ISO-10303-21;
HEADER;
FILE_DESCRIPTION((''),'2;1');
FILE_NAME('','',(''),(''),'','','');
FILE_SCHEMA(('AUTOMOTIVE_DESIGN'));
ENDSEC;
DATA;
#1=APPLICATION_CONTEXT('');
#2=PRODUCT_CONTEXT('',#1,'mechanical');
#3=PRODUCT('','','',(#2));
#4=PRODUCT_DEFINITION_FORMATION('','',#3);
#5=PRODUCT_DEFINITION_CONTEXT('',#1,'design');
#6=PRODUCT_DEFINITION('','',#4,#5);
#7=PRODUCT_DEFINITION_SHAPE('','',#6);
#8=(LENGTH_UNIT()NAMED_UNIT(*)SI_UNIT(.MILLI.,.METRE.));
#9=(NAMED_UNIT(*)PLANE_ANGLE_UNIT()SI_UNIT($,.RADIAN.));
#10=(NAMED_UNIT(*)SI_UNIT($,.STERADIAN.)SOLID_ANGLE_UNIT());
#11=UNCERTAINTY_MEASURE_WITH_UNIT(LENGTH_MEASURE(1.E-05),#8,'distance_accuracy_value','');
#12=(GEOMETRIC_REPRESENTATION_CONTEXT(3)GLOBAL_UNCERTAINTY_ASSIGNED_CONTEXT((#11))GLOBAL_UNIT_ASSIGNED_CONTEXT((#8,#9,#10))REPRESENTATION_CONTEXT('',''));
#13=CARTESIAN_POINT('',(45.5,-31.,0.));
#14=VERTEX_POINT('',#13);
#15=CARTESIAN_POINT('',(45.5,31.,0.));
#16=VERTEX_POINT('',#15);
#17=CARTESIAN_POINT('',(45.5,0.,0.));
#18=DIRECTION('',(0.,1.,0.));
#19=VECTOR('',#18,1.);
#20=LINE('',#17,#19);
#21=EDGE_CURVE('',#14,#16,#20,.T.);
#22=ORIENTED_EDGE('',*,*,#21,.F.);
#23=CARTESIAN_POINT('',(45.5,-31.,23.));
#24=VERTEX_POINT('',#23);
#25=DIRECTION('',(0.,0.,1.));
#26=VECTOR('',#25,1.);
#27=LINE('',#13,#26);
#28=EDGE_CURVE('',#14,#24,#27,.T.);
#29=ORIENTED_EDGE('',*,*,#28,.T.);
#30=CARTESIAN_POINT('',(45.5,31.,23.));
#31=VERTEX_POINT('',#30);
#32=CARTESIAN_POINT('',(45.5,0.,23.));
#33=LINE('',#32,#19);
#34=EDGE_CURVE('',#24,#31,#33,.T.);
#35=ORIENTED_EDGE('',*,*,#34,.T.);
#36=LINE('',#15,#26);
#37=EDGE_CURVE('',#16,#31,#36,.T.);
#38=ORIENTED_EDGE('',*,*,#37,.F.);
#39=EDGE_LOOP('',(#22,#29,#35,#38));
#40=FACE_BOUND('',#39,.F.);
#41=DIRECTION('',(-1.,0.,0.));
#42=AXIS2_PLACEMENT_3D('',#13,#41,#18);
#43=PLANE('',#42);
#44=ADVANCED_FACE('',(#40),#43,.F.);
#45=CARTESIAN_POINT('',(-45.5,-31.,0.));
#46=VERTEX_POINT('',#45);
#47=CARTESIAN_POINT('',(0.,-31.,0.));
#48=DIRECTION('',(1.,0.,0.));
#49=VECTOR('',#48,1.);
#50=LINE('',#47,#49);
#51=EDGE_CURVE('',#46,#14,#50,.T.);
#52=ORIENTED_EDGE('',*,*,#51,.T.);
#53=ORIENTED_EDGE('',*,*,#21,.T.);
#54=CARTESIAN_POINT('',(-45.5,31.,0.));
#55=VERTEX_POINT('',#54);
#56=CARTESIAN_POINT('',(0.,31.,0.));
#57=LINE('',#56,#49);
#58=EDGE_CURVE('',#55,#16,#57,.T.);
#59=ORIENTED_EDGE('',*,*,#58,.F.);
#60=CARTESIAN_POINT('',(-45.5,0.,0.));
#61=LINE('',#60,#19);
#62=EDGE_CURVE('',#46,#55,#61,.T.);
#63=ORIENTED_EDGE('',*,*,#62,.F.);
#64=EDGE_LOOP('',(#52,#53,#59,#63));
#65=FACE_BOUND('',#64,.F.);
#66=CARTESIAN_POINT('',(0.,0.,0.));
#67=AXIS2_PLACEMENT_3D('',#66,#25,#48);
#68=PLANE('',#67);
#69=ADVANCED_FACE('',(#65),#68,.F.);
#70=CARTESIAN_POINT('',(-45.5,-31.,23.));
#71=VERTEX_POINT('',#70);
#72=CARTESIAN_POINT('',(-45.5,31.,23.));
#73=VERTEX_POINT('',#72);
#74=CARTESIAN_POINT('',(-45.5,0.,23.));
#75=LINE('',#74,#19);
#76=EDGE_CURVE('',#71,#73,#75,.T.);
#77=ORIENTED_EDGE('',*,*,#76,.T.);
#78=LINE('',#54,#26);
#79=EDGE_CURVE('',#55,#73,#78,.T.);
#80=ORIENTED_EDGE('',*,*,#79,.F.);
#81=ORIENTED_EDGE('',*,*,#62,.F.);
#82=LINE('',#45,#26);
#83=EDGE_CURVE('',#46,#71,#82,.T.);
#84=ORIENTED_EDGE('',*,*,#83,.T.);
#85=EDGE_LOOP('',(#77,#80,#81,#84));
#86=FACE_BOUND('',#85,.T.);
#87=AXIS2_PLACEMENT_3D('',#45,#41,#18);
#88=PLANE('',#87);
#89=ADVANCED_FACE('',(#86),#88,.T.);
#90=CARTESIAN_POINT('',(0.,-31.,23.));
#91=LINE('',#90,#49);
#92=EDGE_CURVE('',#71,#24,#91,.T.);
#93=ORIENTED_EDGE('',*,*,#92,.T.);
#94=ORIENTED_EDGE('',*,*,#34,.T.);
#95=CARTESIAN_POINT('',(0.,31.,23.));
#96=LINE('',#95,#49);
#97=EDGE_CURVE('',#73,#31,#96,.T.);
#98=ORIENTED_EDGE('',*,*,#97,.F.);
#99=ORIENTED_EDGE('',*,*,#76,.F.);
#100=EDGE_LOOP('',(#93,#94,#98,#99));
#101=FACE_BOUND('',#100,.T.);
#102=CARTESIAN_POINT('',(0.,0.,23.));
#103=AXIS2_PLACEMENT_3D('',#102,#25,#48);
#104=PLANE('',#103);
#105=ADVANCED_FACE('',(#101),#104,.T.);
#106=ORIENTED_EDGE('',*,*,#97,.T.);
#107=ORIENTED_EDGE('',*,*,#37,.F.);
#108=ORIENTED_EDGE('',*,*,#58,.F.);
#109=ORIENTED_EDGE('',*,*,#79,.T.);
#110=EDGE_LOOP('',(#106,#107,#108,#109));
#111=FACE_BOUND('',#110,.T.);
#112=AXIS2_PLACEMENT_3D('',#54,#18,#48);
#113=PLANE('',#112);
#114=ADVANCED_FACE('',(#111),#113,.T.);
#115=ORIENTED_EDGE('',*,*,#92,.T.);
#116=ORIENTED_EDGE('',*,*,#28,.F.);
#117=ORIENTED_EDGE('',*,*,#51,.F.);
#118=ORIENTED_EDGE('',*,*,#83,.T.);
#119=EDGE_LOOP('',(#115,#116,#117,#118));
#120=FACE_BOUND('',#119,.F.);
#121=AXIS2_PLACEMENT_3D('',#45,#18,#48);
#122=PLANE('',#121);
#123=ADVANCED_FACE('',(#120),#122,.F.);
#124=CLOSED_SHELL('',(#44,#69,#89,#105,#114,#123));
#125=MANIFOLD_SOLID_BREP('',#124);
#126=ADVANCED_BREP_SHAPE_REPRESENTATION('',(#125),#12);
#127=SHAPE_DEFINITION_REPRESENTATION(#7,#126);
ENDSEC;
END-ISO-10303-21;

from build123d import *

# Parameters (mm, degrees)
F0_W     = 91
F0_H     = 62
F0_W_2   = 85
F0_H_2   = 56
F1_DEPTH = 23


with BuildPart() as f1:
    # F0 (on Top) → F1 (new body)
    with BuildSketch(Plane.XY):
        Rectangle(F0_W, F0_H)
        Rectangle(F0_W_2, F0_H_2, mode=Mode.SUBTRACT)
        Rectangle(F0_W_2, F0_H_2)
    extrude(amount=F1_DEPTH)


with BuildPart() as f1_1:
    # F2: moved
    add(f1.part)


solid = f1_1.part
